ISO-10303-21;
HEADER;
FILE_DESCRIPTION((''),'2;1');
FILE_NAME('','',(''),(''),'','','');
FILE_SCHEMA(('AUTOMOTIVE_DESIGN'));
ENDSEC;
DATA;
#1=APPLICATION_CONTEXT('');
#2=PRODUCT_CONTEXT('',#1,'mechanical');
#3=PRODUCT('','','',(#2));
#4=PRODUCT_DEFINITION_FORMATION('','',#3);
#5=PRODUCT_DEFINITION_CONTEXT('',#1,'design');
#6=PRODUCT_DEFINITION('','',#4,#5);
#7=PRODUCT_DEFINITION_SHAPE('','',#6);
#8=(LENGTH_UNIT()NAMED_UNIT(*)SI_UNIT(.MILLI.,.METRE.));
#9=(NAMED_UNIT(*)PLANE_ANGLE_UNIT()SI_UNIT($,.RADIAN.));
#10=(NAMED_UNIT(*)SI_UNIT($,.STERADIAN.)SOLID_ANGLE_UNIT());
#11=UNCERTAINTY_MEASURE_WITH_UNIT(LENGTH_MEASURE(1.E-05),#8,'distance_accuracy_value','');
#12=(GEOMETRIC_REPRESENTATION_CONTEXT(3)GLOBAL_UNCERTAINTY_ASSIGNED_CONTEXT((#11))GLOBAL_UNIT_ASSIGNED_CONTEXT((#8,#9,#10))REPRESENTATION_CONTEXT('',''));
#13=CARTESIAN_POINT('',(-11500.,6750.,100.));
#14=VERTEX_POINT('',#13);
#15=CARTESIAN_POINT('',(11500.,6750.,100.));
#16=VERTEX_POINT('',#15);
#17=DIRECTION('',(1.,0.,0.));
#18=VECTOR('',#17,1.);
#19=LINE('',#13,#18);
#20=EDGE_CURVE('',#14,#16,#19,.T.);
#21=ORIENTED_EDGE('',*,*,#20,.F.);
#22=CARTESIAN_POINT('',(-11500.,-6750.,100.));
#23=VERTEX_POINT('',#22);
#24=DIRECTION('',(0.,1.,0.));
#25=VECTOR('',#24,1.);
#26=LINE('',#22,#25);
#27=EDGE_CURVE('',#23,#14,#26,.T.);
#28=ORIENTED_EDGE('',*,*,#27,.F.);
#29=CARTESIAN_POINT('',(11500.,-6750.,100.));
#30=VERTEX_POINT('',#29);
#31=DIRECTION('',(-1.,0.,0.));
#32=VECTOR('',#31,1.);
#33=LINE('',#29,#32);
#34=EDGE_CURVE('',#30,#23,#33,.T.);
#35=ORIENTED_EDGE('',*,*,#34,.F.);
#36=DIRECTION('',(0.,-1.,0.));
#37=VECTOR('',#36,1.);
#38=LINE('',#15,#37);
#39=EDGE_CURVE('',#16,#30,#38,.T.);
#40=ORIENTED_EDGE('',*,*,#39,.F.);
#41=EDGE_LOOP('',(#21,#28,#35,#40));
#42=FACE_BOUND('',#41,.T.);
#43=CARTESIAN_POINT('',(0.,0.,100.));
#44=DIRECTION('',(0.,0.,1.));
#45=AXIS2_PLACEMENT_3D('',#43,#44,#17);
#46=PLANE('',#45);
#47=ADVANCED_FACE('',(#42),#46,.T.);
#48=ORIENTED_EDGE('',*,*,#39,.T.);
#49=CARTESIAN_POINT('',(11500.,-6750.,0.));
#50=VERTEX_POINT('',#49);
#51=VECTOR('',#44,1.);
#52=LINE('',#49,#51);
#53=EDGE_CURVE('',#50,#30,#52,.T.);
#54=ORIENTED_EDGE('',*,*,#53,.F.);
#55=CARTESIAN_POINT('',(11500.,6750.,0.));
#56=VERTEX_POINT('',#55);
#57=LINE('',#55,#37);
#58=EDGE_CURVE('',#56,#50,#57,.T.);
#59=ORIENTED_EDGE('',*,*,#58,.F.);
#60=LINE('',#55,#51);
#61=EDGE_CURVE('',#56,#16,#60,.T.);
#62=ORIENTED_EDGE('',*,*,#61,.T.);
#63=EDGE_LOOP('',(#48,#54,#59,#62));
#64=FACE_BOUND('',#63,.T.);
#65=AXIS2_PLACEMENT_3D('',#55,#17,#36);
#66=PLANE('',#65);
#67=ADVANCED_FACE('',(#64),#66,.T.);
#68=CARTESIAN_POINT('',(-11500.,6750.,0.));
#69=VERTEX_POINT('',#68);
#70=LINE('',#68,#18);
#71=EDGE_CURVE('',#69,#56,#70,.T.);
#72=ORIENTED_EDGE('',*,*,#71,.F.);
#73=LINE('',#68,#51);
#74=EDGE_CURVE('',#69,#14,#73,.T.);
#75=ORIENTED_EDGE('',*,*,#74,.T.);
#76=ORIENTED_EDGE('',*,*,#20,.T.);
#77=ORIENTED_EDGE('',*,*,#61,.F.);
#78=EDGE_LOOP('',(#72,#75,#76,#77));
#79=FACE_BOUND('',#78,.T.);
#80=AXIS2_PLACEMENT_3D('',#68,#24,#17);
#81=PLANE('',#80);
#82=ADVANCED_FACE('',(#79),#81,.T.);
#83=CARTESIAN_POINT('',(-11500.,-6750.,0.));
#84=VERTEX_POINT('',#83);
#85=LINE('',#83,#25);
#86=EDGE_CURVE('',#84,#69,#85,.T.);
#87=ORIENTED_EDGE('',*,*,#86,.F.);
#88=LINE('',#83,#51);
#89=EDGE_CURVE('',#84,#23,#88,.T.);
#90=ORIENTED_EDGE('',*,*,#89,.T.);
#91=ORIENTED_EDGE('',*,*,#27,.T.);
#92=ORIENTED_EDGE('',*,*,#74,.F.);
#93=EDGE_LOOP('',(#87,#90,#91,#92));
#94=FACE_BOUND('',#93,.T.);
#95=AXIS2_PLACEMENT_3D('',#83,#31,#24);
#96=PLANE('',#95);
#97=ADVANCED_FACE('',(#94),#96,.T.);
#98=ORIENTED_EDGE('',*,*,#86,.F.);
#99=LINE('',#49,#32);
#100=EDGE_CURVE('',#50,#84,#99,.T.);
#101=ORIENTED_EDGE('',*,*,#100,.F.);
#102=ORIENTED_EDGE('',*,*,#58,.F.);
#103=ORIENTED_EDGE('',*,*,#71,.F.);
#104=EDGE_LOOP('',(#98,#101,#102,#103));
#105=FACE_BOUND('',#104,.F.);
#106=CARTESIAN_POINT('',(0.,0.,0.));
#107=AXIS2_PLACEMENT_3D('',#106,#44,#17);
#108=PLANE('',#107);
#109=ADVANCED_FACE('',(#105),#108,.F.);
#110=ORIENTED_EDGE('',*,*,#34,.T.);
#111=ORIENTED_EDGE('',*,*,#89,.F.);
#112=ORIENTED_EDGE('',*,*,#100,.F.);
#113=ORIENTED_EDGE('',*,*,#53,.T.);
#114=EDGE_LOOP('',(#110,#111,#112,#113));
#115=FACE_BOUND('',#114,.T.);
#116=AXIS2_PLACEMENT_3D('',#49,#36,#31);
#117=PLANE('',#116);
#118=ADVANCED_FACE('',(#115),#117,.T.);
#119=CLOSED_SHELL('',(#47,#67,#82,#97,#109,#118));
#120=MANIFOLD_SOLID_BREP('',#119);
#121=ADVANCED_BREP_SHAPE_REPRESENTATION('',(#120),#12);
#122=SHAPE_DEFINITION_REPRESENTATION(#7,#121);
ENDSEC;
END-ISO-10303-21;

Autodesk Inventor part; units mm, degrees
ref_plane "YZ Plane" through (0, 0, 0) normal (1, 0, 0) x (0, 1, 0)
ref_plane "XZ Plane" through (0, 0, 0) normal (0, 1, 0) x (-1, 0, 0)
ref_plane "XY Plane" through (0, 0, 0) normal (0, 0, 1) x (1, 0, 0)
sketch "Boceto1" plane through (0, 0, 0) normal (0, 0, 1) x (1, 0, 0)
  line L0 (-11500, 6750) -> (11500, 6750)
  line L1 (11500, 6750) -> (11500, -6750)
  line L2 (11500, -6750) -> (-11500, -6750)
  line L3 (-11500, -6750) -> (-11500, 6750)
  point P0 (0, 0)
  dimension "d0" = 23000
  dimension "d1" = 13500
  dimension "d2" = 11500
  dimension "d3" = 6750
extrude "Extrusión1" add sketch "Boceto1" along normal blind 100
equation "\"d2\" = 0.5 * d0"
equation "\"d3\" = 0.5 * d1"
properties part number "Floor"
